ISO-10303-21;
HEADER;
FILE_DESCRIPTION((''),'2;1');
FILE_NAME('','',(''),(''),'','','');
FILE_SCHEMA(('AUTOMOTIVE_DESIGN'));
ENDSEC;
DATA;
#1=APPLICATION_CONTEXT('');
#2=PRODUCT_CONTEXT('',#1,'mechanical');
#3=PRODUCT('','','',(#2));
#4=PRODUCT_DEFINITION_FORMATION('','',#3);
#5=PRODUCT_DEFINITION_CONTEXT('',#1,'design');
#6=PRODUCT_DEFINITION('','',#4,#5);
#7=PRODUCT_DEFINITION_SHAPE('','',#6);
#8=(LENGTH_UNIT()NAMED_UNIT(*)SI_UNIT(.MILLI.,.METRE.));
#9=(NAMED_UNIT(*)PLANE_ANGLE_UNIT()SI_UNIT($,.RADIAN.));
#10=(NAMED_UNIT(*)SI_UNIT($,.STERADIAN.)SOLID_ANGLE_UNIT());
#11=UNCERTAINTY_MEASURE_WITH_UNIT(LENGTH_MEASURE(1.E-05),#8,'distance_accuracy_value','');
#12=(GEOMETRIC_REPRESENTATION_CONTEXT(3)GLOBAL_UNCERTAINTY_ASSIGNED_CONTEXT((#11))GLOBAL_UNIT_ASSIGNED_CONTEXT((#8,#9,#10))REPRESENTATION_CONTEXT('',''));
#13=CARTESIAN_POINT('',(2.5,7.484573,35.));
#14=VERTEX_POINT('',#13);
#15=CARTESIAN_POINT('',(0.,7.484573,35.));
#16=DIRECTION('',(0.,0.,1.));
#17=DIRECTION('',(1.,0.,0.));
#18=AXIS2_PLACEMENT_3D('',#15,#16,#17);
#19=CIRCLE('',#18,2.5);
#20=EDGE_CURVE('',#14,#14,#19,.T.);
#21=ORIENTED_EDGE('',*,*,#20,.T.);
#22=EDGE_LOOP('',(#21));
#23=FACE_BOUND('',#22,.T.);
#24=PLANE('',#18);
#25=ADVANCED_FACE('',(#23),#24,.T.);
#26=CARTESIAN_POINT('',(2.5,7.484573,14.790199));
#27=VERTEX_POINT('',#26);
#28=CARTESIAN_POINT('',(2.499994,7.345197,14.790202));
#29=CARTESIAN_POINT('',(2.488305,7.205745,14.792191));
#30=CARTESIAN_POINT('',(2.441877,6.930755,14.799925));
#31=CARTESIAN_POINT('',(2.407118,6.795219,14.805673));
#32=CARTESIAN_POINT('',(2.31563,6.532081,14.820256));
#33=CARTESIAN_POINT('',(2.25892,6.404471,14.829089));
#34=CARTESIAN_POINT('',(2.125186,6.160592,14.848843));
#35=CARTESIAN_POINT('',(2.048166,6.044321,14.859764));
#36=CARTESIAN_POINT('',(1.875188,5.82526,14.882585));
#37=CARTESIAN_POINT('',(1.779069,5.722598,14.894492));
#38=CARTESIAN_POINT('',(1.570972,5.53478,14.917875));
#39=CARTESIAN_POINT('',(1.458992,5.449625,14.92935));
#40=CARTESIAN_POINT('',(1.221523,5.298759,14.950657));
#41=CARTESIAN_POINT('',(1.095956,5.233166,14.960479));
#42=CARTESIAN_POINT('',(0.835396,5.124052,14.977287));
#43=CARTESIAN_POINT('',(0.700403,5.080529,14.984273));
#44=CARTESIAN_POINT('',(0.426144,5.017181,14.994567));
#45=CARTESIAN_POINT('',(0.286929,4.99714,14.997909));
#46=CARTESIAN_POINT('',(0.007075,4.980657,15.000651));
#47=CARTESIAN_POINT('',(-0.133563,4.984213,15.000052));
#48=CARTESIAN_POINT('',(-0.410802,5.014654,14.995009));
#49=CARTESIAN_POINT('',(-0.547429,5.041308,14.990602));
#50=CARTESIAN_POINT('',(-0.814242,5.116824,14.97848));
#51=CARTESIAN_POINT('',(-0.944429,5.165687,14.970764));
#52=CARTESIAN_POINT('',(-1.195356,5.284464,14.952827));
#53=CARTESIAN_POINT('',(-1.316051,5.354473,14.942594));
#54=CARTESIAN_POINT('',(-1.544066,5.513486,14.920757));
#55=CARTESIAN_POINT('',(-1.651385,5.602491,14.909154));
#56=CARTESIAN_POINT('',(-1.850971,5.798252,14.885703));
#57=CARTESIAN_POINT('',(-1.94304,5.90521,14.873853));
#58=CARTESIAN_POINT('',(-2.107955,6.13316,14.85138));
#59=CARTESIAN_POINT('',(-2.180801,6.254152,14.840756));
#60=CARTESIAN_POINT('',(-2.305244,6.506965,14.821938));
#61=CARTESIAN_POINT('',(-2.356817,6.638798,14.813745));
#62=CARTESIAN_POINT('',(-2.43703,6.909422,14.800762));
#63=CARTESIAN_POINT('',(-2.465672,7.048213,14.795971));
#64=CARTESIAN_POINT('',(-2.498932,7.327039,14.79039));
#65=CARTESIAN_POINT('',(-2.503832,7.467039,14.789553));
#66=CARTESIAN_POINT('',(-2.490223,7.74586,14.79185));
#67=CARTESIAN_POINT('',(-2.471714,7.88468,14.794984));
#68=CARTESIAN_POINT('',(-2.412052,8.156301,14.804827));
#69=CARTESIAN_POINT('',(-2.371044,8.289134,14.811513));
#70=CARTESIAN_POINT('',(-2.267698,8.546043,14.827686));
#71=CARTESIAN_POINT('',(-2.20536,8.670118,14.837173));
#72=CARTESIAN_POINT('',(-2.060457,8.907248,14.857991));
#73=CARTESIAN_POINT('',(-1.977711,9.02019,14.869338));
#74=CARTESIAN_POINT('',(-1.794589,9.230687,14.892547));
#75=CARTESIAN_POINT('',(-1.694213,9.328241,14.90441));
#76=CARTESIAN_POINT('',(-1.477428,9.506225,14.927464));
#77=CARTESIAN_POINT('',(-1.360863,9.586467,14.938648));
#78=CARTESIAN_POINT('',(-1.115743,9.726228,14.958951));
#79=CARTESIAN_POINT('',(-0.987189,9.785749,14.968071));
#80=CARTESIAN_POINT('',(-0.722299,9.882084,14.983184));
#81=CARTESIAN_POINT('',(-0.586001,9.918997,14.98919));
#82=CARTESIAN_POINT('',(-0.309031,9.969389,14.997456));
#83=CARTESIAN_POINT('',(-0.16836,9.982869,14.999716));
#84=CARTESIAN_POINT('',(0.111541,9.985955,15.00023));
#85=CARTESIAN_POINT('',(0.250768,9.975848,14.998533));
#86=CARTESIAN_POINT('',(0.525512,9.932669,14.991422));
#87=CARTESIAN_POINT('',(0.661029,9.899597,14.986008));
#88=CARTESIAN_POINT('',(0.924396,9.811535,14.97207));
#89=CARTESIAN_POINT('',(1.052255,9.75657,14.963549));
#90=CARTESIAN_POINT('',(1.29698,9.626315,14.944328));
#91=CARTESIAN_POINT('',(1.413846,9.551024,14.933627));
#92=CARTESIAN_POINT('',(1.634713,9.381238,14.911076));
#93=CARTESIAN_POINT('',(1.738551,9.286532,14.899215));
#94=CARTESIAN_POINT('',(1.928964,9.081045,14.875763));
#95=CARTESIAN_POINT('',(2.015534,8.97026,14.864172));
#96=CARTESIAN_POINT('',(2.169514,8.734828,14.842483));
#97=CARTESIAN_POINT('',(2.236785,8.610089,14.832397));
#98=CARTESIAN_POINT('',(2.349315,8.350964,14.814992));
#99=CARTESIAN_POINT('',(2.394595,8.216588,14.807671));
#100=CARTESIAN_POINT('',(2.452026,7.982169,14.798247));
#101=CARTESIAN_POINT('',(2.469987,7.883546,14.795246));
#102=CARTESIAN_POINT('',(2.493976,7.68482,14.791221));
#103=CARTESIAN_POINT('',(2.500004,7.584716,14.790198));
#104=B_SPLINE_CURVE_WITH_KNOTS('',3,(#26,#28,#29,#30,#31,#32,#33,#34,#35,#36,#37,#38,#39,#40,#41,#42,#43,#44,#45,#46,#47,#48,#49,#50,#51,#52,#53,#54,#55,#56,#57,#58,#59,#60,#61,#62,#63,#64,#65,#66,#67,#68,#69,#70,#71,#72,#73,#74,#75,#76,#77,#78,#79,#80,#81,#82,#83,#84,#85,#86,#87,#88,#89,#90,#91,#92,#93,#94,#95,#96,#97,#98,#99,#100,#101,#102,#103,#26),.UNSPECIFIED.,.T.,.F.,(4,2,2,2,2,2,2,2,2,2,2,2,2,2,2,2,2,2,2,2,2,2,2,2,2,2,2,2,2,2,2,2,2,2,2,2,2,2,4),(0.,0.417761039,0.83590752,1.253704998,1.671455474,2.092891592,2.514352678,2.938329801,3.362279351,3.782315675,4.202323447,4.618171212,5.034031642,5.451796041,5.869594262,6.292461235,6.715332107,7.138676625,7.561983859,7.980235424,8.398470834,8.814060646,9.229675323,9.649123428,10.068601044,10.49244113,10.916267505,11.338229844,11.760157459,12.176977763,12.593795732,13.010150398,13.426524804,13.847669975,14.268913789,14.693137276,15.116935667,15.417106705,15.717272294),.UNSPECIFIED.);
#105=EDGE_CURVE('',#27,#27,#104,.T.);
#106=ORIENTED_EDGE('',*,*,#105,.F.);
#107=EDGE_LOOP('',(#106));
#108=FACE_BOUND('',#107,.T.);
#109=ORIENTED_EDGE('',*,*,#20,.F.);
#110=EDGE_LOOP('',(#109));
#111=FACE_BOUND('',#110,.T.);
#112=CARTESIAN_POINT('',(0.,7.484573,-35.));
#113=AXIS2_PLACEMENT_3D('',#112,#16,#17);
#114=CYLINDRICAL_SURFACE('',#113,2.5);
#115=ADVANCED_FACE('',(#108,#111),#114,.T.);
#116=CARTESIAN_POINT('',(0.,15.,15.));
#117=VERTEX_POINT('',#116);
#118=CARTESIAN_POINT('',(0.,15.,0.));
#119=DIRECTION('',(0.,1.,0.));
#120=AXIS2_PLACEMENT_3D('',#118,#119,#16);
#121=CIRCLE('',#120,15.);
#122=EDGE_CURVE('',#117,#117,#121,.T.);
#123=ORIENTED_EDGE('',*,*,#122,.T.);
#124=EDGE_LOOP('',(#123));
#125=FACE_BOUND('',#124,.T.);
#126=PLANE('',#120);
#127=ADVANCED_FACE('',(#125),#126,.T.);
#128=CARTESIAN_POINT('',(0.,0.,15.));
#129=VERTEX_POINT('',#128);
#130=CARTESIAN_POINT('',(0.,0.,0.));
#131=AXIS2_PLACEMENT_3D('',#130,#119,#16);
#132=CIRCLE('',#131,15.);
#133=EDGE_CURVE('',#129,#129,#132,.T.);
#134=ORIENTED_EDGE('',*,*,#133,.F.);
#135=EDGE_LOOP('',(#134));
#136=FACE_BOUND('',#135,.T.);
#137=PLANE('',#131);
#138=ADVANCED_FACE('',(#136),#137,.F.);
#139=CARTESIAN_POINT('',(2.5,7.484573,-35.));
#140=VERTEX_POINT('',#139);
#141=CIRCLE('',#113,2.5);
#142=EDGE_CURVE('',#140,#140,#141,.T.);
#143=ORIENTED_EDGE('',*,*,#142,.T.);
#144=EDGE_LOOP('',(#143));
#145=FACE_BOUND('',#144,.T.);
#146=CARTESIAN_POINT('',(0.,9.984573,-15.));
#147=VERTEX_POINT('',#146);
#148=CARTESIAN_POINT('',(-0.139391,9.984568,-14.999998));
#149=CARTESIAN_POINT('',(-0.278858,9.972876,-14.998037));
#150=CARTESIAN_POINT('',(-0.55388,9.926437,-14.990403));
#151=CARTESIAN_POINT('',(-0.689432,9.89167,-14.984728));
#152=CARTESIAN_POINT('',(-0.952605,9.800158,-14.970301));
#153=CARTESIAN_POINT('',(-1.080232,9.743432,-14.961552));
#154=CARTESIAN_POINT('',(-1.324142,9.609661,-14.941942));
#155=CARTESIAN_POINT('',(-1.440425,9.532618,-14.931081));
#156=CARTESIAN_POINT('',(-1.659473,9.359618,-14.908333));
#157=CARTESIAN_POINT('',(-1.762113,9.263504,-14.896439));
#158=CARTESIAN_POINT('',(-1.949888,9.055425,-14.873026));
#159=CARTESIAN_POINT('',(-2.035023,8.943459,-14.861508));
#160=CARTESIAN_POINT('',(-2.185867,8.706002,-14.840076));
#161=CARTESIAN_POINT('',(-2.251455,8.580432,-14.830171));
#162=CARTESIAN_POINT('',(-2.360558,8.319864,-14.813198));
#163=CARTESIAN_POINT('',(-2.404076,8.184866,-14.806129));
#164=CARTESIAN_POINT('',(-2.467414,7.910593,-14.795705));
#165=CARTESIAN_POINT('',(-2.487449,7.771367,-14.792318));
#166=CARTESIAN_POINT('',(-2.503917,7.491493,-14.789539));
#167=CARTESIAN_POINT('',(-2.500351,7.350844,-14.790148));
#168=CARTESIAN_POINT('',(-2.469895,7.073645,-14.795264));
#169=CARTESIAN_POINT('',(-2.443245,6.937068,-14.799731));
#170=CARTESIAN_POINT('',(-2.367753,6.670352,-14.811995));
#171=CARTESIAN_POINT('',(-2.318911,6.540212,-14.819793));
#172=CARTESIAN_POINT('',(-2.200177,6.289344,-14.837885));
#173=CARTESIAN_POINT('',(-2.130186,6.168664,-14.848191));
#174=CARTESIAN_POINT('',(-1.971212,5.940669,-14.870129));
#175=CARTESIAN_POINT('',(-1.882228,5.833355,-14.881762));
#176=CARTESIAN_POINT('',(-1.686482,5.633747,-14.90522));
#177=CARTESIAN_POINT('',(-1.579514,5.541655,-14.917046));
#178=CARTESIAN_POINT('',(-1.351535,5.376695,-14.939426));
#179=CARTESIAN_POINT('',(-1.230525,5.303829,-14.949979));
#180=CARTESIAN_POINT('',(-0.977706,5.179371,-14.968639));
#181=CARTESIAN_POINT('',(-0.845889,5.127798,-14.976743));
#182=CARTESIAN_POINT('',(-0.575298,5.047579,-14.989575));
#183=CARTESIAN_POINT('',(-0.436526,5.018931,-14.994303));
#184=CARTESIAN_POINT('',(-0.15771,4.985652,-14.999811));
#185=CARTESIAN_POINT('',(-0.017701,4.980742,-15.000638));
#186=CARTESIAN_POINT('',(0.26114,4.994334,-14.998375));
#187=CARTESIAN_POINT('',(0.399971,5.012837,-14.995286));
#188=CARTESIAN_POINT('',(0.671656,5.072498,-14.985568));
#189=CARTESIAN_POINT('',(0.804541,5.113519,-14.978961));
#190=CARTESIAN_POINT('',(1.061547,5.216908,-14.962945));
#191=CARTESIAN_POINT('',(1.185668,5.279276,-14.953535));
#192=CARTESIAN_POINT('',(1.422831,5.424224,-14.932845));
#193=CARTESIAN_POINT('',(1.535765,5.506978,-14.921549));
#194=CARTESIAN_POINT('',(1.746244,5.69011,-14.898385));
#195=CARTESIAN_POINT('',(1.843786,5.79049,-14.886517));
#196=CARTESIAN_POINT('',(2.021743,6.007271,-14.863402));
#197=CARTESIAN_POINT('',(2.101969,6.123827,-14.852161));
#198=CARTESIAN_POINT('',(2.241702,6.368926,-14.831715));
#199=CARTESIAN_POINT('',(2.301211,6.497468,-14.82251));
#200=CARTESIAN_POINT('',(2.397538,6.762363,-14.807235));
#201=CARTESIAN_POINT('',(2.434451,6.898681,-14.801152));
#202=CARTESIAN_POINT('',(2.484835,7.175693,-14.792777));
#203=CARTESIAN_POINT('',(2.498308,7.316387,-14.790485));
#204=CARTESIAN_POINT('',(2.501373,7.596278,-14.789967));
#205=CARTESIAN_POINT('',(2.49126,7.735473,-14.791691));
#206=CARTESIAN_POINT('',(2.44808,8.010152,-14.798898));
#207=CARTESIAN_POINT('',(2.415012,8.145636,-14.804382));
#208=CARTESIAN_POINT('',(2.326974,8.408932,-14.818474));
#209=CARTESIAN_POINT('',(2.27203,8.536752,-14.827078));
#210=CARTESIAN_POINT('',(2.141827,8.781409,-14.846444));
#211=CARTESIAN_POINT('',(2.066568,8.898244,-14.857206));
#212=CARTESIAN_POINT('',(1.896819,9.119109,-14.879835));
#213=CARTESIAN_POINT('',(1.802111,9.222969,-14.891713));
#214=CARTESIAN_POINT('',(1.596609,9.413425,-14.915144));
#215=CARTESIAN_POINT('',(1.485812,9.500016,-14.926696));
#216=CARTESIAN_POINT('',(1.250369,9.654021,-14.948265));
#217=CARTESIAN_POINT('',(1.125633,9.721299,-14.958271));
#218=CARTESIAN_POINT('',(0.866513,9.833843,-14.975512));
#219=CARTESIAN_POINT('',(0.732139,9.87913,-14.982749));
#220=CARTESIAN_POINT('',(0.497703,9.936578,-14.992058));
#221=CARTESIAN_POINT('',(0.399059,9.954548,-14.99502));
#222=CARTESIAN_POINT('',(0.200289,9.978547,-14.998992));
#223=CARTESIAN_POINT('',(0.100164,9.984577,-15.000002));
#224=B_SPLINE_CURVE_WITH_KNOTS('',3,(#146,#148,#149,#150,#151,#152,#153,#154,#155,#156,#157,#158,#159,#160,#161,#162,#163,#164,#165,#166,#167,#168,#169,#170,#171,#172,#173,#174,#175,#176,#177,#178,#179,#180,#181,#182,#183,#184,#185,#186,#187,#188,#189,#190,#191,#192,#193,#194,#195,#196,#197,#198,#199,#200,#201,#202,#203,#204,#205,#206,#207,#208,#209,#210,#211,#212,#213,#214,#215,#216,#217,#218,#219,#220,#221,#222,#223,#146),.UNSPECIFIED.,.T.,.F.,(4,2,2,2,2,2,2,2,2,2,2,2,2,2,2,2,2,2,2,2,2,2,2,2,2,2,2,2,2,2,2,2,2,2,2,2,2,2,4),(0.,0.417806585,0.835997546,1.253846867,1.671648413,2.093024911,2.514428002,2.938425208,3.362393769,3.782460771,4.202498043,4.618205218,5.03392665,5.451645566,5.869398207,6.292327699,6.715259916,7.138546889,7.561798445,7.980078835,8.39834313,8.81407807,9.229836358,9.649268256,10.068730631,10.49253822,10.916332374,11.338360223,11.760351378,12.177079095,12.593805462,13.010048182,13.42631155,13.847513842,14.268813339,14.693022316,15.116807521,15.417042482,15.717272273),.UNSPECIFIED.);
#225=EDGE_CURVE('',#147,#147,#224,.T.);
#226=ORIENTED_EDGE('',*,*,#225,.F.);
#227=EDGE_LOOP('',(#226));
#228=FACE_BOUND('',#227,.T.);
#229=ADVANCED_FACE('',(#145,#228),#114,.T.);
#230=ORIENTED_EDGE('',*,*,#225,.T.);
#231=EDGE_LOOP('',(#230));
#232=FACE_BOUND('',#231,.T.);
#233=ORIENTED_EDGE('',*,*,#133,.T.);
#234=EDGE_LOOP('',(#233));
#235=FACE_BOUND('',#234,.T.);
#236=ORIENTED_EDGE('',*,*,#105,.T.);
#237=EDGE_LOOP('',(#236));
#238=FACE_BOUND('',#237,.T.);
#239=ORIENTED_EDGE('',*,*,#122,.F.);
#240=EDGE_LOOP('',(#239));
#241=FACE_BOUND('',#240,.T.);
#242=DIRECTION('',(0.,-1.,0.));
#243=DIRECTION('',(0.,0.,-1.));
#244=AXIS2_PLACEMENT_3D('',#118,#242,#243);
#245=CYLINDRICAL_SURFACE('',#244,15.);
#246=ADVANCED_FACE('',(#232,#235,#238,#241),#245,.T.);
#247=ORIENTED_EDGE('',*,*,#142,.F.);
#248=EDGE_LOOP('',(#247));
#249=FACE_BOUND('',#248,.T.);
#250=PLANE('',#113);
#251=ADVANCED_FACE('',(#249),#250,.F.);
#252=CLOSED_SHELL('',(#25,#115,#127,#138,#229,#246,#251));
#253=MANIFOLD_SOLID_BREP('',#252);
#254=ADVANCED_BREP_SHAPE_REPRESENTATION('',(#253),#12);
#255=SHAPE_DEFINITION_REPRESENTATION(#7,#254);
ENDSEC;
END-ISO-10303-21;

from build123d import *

# Parameters (mm, degrees)
SKETCH1_R                = 15
BOSS_EXTRUDE1_DEPTH      = 15
BOSS_EXTRUDE2_DEPTH      = 35
BOSS_EXTRUDE2_DEPTH_BACK = 35
SKETCH2_R                = 2.5


with BuildPart() as part:
    # Sketch1 → Boss-Extrude1 (new body)
    with BuildSketch(Plane(origin=(0, 0, 0), x_dir=(1, 0, 0), z_dir=(0, 1, 0))):
        Circle(SKETCH1_R)
    extrude(amount=BOSS_EXTRUDE1_DEPTH)

    # Sketch2 → Boss-Extrude2 (add, two sides: drawn at the far end of the back side and taken through both)
    with BuildSketch(Plane.XY.offset(-BOSS_EXTRUDE2_DEPTH_BACK)):
        with Locations((0, 7.484573098)):
            Circle(SKETCH2_R)
    extrude(amount=BOSS_EXTRUDE2_DEPTH + BOSS_EXTRUDE2_DEPTH_BACK)


solid = part.part
